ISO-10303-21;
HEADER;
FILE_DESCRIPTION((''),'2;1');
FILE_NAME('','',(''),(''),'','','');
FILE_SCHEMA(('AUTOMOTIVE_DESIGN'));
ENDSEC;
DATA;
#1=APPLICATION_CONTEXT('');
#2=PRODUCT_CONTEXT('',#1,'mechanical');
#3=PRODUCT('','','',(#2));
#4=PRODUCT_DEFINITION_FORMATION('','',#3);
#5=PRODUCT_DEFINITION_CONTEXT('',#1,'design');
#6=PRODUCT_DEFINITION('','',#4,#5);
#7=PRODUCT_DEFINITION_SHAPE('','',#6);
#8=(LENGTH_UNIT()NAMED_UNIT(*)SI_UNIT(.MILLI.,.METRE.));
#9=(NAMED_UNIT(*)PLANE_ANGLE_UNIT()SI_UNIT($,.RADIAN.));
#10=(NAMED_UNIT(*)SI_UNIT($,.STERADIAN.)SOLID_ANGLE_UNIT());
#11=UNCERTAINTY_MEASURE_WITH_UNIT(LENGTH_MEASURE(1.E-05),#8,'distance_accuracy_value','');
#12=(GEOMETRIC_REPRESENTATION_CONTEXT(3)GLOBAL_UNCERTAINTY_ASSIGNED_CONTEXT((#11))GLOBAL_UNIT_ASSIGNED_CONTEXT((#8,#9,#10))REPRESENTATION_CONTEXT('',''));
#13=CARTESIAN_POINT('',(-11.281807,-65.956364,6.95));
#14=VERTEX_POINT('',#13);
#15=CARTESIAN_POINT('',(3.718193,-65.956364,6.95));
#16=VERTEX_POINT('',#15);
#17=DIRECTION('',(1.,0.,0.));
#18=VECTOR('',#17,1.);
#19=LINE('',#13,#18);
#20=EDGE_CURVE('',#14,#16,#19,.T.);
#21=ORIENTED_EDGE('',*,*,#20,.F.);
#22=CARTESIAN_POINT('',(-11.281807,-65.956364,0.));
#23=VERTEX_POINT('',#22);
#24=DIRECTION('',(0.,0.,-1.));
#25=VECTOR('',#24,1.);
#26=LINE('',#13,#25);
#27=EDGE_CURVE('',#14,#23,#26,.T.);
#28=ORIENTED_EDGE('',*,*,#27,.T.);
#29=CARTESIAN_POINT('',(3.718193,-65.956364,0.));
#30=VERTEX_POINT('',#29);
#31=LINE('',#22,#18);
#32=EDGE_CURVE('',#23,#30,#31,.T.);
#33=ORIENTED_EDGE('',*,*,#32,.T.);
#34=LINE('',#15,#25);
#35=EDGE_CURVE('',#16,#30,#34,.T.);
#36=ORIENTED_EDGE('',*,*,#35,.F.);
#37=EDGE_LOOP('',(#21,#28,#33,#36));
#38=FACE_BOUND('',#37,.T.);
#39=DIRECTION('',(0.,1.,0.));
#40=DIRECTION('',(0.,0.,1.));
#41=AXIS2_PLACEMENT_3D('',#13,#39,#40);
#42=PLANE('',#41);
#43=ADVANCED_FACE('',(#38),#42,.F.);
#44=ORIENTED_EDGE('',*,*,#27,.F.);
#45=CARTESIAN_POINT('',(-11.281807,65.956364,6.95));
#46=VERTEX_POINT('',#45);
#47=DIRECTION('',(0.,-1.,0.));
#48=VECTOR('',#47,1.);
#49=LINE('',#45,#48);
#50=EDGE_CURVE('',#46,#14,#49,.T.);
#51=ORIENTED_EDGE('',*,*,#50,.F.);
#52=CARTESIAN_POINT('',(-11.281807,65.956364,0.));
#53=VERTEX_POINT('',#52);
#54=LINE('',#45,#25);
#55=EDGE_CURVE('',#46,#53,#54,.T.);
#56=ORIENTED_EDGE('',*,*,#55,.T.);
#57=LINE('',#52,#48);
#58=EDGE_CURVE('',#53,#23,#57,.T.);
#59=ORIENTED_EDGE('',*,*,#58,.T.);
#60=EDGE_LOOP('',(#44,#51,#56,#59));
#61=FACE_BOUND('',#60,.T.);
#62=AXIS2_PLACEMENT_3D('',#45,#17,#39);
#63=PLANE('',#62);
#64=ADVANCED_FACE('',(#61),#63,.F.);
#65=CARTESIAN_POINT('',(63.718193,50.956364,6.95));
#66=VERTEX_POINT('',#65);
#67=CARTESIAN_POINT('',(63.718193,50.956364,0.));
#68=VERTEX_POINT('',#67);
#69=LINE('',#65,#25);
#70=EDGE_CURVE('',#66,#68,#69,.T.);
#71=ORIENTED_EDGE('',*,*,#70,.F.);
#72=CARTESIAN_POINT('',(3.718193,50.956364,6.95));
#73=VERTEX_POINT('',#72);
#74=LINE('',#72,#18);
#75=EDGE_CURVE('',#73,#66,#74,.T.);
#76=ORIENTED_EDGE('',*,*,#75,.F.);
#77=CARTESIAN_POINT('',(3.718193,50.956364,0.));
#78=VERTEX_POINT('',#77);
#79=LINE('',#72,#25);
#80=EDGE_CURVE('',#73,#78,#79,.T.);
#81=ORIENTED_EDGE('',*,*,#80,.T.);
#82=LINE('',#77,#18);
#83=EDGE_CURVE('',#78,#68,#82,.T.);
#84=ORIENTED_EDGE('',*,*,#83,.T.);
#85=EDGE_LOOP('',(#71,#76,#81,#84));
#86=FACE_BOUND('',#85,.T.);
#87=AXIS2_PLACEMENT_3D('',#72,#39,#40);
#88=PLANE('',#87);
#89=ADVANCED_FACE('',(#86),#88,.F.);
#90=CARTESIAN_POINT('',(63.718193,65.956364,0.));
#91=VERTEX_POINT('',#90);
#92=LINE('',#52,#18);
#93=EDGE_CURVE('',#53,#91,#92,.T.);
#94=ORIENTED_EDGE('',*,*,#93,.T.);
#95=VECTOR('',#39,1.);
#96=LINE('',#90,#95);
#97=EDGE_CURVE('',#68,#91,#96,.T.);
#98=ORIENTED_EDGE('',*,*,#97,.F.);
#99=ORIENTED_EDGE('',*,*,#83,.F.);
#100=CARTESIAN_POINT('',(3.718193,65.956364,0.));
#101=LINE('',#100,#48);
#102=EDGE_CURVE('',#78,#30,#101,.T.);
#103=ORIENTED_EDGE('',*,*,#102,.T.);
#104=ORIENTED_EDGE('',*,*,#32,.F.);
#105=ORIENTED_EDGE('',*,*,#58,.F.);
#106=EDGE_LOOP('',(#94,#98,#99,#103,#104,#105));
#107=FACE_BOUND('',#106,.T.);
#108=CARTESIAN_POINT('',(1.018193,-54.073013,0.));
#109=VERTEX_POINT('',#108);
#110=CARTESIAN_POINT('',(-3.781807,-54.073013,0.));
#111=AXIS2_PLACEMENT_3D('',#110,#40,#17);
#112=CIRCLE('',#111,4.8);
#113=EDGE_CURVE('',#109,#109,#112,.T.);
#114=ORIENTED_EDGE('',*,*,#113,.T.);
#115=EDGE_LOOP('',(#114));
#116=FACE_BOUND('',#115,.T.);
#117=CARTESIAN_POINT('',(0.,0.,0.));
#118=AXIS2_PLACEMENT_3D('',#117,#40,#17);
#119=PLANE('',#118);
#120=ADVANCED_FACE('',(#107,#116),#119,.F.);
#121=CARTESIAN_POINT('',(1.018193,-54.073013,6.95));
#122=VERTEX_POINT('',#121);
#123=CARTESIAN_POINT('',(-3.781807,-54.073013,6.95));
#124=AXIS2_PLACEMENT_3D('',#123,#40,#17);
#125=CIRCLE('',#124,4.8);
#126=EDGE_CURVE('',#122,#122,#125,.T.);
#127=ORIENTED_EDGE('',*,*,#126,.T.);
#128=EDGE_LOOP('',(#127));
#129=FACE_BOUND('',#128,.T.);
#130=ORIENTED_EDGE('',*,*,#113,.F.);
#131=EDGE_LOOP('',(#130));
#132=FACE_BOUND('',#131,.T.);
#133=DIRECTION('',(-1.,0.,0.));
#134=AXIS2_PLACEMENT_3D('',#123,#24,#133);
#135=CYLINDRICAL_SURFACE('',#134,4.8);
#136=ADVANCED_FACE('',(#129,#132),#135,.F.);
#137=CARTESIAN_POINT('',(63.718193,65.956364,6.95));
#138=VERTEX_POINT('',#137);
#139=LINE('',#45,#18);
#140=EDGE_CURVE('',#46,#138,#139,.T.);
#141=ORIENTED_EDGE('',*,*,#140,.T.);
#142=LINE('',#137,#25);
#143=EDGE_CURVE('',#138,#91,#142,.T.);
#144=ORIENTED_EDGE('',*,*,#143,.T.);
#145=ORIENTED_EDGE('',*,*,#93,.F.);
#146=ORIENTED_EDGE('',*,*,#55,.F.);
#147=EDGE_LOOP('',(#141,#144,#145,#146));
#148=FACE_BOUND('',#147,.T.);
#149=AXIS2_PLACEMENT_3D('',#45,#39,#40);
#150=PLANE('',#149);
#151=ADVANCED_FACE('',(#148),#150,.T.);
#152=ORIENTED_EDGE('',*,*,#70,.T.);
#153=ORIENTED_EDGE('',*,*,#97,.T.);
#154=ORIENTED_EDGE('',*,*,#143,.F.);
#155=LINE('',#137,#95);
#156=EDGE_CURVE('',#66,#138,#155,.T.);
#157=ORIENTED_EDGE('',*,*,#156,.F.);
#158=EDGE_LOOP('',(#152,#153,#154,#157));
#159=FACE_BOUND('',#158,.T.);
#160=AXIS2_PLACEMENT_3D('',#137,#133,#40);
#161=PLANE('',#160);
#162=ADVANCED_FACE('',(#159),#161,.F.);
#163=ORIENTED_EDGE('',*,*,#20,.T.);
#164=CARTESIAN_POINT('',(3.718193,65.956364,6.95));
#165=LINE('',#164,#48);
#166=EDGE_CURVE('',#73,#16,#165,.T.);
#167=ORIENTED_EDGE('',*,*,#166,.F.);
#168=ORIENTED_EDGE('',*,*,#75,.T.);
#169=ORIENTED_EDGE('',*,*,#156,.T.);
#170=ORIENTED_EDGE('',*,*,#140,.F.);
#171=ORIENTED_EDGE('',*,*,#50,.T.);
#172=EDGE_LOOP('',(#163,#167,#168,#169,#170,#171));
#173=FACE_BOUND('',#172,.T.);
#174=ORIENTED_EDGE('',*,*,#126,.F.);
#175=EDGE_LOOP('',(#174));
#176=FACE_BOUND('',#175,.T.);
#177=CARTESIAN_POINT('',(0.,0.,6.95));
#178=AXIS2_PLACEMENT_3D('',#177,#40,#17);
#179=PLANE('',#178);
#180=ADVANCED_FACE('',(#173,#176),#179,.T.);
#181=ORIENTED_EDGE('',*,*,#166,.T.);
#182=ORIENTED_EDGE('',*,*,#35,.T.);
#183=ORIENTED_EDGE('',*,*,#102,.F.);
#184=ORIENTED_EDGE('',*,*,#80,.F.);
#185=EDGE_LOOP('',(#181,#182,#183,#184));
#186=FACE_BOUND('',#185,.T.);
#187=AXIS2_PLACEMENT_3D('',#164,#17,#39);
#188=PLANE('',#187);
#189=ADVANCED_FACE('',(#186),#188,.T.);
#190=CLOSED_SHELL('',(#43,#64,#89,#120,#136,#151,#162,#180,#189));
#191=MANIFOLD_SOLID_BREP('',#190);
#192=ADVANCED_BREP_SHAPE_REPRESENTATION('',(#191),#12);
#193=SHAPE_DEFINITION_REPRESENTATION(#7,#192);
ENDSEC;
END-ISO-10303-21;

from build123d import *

# Parameters (mm, degrees)
SKETCH_3_W          = 15
SKETCH_3_H          = 131.91272758
EXTRUDE_2_DEPTH     = 6.95
SKETCH_4_W          = 60
SKETCH_4_H          = 15
EXTRUDE_3_DEPTH     = 6.95
SKETCH_5_R          = 4.8
CUT_EXTRUDE_5_DEPTH = 7.95


with BuildPart() as part:
    # 草图3 → 凸台-拉伸2 (new body)
    with BuildSketch(Plane.XY):
        with Locations((-3.781807483, 0)):
            Rectangle(SKETCH_3_W, SKETCH_3_H)
    extrude(amount=EXTRUDE_2_DEPTH)

    # 草图4 → 凸台-拉伸3 (add)
    with BuildSketch(Plane.XY):
        with Locations((33.718192517, 58.45636379)):
            Rectangle(SKETCH_4_W, SKETCH_4_H)
    extrude(amount=EXTRUDE_3_DEPTH)

    # 草图5 → 切除-拉伸5 (cut, through all)
    with BuildSketch(Plane.XY):
        with Locations((-3.781807483, -54.073012812)):
            Circle(SKETCH_5_R)
    extrude(amount=CUT_EXTRUDE_5_DEPTH, mode=Mode.SUBTRACT)


solid = part.part
